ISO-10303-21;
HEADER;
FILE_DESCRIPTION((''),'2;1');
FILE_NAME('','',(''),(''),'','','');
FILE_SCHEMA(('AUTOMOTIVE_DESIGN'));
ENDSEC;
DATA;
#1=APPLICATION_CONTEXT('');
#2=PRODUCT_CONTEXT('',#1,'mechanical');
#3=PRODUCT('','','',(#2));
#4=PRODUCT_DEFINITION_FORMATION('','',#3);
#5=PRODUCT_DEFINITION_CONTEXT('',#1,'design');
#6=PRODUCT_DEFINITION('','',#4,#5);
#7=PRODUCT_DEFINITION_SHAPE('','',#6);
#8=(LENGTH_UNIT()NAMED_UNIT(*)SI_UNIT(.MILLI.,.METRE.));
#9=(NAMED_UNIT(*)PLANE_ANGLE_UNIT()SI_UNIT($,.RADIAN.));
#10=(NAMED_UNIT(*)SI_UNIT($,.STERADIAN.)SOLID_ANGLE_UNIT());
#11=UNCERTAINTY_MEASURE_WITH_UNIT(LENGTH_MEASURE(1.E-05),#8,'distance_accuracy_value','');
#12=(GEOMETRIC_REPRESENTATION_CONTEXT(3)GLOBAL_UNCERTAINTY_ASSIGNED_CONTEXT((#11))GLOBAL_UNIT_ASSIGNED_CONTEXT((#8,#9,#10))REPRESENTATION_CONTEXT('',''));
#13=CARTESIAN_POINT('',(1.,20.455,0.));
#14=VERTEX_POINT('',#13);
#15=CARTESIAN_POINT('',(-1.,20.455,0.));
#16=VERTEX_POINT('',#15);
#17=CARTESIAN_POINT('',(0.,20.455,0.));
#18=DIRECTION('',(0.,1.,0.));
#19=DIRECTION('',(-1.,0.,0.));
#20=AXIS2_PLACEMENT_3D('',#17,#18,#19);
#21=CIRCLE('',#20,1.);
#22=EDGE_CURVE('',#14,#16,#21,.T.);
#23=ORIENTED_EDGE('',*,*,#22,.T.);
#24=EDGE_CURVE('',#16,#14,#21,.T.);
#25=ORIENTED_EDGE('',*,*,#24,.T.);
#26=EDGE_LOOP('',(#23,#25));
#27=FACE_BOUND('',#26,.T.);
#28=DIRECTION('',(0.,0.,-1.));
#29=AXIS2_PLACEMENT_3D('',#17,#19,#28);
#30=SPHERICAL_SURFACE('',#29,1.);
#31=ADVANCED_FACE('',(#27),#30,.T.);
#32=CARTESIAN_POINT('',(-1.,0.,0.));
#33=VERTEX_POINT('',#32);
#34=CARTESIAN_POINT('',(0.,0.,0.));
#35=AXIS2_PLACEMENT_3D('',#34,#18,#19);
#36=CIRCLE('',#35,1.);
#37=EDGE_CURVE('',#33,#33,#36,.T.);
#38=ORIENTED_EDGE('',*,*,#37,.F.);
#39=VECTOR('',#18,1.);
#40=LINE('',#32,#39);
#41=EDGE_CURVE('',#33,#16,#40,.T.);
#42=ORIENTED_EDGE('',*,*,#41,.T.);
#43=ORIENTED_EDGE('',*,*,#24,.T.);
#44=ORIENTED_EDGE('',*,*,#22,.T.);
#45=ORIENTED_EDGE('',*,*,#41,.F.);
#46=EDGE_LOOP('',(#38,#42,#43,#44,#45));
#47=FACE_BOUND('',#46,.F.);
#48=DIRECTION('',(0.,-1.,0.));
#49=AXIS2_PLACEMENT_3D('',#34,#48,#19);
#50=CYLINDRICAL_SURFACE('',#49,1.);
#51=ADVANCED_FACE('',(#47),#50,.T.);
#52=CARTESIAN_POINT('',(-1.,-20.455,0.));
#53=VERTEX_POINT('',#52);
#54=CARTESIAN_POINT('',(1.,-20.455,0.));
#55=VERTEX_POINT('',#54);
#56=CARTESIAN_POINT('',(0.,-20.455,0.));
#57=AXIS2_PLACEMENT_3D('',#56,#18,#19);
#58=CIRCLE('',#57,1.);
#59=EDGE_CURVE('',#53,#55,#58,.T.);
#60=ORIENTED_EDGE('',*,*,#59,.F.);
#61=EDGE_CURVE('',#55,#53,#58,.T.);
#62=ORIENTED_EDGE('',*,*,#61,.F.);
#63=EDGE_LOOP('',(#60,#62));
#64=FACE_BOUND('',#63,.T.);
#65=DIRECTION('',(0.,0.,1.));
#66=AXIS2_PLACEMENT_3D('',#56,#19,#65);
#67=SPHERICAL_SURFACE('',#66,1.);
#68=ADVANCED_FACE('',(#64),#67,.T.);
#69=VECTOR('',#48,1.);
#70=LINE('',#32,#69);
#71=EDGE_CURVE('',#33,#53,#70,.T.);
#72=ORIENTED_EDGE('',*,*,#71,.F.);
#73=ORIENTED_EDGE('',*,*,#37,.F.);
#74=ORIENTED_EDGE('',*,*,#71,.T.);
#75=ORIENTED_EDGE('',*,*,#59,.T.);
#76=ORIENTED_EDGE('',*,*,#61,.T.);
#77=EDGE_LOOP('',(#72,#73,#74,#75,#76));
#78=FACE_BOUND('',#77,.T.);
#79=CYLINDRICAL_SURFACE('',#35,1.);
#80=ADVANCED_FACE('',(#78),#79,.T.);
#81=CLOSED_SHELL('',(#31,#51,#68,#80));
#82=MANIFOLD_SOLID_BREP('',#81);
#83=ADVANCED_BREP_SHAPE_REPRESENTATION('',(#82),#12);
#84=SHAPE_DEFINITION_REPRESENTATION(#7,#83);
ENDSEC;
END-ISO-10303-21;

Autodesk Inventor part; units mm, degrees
ref_plane "YZ Plane" through (0, 0, 0) normal (1, 0, 0) x (0, 1, 0)
ref_plane "XZ Plane" through (0, 0, 0) normal (0, 1, 0) x (-1, 0, 0)
ref_plane "XY Plane" through (0, 0, 0) normal (0, 0, 1) x (1, 0, 0)
sketch "Boceto1" plane through (0, 0, 0) normal (0, 1, 0) x (-1, 0, 0)
  circle A0 centre (0, 0) radius 1
  dimension "d0" = 2
extrude "Extrusión1" add sketch "Boceto1" along normal mid plane 40.91
sketch "Boceto2" plane through (0, 20.455, 0) normal (0, 1, 0) x (1, 0, 0)
  circle A0 centre (0, 0) radius 1 projected
  circle A1 centre (0, 0) radius 1
  line L0 (1, 0) -> (-1, 0)
revolve "Revolución1" add sketch "Boceto2" angle 360 about axis through (1, 20.455, 0) along (-1, 0, 0) picked at (0.2495, 0.221) contours L0 A0
sketch "Boceto3" plane through (0, -20.455, 0) normal (0, -1, 0) x (1, 0, 0)
  circle A0 centre (0, 0) radius 1 projected
  circle A1 centre (0, 0) radius 1
  line L0 (1, 0) -> (-1, 0)
revolve "Revolución2" add sketch "Boceto3" angle 360 about axis through (1, -20.455, 0) along (-1, 0, 0) picked at (0.2495, 0.221) contours L0 A0
properties part number "EjeMotor"
